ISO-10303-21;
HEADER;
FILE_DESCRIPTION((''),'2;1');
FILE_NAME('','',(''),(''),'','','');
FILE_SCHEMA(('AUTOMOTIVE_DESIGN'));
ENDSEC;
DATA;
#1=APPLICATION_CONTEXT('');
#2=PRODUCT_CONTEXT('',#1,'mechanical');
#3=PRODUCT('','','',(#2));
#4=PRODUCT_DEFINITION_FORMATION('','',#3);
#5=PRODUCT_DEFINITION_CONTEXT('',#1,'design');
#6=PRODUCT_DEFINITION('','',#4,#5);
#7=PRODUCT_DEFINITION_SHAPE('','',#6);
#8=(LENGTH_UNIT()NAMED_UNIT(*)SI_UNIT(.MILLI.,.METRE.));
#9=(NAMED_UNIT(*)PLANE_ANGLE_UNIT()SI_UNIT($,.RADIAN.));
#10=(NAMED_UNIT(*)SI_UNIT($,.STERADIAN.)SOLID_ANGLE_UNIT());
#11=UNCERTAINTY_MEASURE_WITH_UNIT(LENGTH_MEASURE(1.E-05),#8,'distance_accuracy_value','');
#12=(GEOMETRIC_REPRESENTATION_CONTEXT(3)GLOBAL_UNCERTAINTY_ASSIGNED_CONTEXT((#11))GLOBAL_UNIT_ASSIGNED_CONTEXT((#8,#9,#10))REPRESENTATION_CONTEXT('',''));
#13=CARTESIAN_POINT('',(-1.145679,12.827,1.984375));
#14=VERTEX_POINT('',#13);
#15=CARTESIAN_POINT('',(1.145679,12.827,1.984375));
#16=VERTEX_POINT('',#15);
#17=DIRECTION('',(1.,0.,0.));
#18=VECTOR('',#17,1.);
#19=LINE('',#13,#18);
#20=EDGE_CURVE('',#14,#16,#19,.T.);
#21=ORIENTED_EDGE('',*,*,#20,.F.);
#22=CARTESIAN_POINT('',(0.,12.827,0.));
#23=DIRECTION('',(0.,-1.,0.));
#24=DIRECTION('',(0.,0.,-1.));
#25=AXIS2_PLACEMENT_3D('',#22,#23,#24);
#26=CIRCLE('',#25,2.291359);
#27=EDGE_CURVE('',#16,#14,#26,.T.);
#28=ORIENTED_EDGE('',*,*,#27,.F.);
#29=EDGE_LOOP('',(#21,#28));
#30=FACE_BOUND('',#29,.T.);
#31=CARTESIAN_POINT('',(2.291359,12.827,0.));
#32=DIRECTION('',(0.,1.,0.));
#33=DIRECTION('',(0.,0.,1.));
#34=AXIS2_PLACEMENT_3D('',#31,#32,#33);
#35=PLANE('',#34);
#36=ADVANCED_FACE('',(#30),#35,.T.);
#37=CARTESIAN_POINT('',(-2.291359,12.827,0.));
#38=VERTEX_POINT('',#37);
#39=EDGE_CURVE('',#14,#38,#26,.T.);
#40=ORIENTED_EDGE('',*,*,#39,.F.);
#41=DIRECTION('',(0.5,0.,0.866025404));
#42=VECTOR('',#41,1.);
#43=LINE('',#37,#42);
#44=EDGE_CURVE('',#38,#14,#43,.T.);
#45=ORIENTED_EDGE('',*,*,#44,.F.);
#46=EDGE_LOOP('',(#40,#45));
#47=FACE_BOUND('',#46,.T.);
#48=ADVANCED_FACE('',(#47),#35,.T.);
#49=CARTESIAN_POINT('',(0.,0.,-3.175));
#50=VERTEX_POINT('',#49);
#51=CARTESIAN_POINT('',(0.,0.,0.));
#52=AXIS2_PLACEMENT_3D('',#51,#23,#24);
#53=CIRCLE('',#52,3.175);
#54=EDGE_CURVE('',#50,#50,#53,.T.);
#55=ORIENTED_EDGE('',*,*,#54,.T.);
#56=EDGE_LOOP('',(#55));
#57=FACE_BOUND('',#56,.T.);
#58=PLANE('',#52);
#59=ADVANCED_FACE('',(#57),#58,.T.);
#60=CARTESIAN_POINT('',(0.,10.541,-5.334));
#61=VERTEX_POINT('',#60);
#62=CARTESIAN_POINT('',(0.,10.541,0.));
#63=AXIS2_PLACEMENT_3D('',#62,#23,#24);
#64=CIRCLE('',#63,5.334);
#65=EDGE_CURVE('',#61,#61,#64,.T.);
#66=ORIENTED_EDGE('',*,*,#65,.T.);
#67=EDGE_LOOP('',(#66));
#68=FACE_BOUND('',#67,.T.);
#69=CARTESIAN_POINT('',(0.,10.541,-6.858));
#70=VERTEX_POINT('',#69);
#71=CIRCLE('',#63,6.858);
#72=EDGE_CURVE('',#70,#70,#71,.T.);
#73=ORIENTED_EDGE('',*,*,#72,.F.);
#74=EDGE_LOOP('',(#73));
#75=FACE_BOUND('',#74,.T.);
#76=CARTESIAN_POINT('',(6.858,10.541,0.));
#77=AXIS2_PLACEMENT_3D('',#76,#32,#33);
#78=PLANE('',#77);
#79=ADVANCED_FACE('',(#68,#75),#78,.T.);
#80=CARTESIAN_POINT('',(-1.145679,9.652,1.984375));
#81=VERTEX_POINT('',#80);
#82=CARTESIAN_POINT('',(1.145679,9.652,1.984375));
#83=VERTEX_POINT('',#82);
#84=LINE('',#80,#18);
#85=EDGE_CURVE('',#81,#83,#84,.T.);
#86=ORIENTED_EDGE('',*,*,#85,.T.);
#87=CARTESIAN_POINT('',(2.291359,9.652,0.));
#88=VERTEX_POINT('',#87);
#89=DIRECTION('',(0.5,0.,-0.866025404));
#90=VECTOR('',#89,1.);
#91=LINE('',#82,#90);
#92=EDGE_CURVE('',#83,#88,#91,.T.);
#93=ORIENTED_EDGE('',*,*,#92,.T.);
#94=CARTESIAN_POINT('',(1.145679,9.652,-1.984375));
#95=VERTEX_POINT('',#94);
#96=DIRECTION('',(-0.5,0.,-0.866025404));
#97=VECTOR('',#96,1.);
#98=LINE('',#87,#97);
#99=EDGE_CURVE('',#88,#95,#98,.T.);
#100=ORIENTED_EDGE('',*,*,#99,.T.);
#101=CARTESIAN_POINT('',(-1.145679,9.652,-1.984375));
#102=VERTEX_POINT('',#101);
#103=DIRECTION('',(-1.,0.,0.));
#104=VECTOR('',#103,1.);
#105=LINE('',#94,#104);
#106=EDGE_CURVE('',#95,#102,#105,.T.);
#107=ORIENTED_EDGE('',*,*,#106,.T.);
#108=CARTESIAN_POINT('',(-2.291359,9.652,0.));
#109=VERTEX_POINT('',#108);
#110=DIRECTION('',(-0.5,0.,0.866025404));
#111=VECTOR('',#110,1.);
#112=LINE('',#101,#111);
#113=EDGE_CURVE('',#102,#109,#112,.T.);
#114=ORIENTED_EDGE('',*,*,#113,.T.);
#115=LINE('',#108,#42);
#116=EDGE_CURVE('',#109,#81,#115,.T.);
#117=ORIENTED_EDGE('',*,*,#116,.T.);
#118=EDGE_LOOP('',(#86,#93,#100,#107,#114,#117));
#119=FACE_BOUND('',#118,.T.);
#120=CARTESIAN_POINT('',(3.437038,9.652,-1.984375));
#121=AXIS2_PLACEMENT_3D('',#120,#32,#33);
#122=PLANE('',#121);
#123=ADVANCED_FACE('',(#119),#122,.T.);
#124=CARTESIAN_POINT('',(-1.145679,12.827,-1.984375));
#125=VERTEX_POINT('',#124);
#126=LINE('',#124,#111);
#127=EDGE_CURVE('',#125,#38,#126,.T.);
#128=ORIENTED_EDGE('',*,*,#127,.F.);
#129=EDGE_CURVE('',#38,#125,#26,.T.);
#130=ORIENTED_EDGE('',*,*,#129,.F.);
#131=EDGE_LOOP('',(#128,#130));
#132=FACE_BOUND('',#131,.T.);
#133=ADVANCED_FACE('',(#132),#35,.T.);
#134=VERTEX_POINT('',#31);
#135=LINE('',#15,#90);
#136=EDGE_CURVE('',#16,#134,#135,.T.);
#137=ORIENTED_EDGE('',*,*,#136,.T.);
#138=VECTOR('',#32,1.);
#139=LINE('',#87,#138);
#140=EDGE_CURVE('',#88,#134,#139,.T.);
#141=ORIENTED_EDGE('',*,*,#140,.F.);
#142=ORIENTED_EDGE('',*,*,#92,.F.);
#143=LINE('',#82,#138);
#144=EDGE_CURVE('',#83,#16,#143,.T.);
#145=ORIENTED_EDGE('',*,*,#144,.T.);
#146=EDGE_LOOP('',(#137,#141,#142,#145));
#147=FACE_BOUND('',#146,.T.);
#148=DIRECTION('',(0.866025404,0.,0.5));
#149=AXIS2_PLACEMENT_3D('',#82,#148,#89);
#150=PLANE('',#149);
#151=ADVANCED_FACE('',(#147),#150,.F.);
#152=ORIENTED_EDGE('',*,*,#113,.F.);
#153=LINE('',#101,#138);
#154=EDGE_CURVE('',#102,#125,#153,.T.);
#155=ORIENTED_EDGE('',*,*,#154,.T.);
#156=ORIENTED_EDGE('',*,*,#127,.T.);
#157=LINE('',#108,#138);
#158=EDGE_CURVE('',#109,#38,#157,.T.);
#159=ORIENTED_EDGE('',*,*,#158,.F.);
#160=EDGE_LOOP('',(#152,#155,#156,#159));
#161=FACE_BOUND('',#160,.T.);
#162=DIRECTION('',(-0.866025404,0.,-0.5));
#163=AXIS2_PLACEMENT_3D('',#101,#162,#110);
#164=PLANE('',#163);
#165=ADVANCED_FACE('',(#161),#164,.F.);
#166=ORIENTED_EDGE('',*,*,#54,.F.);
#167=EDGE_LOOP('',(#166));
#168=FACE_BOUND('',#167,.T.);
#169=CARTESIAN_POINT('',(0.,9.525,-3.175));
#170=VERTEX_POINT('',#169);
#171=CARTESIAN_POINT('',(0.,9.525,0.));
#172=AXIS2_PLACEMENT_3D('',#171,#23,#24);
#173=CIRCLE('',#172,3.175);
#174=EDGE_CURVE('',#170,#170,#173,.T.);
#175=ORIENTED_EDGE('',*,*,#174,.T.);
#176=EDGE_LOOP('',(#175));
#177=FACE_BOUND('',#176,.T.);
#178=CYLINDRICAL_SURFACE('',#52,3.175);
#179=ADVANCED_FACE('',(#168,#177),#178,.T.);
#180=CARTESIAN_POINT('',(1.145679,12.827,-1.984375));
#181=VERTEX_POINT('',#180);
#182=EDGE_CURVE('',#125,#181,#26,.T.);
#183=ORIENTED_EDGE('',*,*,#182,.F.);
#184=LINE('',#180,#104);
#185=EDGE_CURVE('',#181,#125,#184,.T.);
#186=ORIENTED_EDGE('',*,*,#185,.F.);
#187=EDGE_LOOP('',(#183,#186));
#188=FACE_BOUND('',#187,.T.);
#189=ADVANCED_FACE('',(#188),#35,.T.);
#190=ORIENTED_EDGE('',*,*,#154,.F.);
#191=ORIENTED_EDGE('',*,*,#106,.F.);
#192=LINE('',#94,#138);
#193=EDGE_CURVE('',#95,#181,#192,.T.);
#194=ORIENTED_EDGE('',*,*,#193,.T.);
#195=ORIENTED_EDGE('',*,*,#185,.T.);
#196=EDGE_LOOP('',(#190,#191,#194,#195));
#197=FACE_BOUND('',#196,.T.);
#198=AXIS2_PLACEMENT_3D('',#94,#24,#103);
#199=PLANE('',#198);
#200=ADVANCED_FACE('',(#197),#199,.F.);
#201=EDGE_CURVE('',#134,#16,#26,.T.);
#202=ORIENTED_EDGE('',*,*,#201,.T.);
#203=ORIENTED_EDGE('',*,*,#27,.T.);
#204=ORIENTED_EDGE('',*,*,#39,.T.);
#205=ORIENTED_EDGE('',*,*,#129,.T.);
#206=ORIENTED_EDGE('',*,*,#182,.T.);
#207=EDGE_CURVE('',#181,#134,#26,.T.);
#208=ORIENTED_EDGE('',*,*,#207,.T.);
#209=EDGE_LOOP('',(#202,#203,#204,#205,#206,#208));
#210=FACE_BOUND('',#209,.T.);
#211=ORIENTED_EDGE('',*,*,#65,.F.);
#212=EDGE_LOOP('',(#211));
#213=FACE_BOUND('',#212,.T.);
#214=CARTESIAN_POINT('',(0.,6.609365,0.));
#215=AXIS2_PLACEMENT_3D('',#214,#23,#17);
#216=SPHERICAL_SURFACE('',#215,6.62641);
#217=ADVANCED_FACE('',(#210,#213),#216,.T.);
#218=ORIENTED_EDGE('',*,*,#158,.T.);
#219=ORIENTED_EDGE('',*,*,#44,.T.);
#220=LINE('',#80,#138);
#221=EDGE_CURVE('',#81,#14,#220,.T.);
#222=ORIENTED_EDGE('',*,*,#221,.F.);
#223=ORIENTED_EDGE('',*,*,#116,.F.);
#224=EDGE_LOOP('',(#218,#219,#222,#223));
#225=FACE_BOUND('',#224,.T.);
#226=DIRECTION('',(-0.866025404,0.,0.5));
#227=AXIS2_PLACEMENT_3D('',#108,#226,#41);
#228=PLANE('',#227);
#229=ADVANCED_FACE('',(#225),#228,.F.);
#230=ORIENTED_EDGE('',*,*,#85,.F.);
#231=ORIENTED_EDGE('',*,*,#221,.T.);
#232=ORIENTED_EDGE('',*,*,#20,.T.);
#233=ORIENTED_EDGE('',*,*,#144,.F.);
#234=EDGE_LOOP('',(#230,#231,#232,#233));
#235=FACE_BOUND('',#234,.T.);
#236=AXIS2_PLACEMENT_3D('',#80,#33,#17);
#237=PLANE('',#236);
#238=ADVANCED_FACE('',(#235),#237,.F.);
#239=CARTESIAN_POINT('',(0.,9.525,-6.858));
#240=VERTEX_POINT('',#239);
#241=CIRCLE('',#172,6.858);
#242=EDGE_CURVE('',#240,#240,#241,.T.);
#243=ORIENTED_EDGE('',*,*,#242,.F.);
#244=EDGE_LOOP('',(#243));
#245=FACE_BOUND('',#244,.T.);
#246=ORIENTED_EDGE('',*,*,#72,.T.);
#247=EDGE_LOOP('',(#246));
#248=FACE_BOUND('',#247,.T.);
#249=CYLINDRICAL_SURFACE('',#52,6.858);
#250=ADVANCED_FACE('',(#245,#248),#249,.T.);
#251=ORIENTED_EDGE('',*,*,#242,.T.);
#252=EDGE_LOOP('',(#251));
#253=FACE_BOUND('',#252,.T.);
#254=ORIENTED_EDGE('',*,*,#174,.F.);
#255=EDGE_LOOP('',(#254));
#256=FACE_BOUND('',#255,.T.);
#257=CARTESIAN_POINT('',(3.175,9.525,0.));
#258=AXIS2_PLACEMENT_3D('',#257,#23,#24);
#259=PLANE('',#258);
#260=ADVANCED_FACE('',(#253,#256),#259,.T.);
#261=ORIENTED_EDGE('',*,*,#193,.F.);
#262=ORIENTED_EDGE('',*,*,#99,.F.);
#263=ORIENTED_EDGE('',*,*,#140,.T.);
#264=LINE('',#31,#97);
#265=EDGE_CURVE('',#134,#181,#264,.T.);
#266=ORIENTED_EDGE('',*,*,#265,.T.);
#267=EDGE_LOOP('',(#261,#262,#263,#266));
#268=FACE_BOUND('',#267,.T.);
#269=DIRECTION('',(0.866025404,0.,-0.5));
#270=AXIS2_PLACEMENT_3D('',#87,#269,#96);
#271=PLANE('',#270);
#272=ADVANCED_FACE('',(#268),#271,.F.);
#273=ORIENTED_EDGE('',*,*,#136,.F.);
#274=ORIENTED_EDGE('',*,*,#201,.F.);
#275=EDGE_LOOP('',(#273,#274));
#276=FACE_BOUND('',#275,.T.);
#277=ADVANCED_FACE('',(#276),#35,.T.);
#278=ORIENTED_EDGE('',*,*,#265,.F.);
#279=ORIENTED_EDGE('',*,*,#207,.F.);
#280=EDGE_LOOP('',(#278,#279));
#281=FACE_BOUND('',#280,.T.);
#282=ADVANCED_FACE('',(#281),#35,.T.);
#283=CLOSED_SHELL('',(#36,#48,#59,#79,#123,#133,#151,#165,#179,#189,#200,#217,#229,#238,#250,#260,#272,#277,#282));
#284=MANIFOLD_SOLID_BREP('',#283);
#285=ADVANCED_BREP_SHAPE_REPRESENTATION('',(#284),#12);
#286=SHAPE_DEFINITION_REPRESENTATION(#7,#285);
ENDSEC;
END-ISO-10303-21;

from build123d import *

# Parameters (mm, degrees)
HEX_CUT_DEPTH = 3.175


with BuildPart() as part:
    # Sketch1 → Screw revolve (revolve)
    with BuildSketch(Plane.XY):
        with BuildLine():
            Line((0, 0), (3.175, 0))
            Line((3.175, 0), (3.175, 9.525))
            Line((3.175, 9.525), (6.858, 9.525))
            Line((6.858, 9.525), (6.858, 10.541))
            Line((6.858, 10.541), (5.334, 10.541))
            ThreePointArc((5.334, 10.541), (3.980323293, 11.907132143), (2.291358881, 12.827))
            Line((2.291358881, 12.827), (0, 12.827))
            Line((0, 12.827), (0, 0))
        make_face()
    revolve(axis=Axis((0, 0, 0), (0, 1, 0)))

    # Sketch2 → Hex Cut (cut)
    with BuildSketch(Plane(origin=(0, 12.827, 0), x_dir=(-1, 0, 0), z_dir=(0, 1, 0))):
        Polygon((-2.291358881, 0), (-1.14567944, -1.984375), (1.14567944, -1.984375), (2.291358881, 0), (1.14567944, 1.984375), (-1.14567944, 1.984375), align=None)
    extrude(amount=-HEX_CUT_DEPTH, mode=Mode.SUBTRACT)


solid = part.part
